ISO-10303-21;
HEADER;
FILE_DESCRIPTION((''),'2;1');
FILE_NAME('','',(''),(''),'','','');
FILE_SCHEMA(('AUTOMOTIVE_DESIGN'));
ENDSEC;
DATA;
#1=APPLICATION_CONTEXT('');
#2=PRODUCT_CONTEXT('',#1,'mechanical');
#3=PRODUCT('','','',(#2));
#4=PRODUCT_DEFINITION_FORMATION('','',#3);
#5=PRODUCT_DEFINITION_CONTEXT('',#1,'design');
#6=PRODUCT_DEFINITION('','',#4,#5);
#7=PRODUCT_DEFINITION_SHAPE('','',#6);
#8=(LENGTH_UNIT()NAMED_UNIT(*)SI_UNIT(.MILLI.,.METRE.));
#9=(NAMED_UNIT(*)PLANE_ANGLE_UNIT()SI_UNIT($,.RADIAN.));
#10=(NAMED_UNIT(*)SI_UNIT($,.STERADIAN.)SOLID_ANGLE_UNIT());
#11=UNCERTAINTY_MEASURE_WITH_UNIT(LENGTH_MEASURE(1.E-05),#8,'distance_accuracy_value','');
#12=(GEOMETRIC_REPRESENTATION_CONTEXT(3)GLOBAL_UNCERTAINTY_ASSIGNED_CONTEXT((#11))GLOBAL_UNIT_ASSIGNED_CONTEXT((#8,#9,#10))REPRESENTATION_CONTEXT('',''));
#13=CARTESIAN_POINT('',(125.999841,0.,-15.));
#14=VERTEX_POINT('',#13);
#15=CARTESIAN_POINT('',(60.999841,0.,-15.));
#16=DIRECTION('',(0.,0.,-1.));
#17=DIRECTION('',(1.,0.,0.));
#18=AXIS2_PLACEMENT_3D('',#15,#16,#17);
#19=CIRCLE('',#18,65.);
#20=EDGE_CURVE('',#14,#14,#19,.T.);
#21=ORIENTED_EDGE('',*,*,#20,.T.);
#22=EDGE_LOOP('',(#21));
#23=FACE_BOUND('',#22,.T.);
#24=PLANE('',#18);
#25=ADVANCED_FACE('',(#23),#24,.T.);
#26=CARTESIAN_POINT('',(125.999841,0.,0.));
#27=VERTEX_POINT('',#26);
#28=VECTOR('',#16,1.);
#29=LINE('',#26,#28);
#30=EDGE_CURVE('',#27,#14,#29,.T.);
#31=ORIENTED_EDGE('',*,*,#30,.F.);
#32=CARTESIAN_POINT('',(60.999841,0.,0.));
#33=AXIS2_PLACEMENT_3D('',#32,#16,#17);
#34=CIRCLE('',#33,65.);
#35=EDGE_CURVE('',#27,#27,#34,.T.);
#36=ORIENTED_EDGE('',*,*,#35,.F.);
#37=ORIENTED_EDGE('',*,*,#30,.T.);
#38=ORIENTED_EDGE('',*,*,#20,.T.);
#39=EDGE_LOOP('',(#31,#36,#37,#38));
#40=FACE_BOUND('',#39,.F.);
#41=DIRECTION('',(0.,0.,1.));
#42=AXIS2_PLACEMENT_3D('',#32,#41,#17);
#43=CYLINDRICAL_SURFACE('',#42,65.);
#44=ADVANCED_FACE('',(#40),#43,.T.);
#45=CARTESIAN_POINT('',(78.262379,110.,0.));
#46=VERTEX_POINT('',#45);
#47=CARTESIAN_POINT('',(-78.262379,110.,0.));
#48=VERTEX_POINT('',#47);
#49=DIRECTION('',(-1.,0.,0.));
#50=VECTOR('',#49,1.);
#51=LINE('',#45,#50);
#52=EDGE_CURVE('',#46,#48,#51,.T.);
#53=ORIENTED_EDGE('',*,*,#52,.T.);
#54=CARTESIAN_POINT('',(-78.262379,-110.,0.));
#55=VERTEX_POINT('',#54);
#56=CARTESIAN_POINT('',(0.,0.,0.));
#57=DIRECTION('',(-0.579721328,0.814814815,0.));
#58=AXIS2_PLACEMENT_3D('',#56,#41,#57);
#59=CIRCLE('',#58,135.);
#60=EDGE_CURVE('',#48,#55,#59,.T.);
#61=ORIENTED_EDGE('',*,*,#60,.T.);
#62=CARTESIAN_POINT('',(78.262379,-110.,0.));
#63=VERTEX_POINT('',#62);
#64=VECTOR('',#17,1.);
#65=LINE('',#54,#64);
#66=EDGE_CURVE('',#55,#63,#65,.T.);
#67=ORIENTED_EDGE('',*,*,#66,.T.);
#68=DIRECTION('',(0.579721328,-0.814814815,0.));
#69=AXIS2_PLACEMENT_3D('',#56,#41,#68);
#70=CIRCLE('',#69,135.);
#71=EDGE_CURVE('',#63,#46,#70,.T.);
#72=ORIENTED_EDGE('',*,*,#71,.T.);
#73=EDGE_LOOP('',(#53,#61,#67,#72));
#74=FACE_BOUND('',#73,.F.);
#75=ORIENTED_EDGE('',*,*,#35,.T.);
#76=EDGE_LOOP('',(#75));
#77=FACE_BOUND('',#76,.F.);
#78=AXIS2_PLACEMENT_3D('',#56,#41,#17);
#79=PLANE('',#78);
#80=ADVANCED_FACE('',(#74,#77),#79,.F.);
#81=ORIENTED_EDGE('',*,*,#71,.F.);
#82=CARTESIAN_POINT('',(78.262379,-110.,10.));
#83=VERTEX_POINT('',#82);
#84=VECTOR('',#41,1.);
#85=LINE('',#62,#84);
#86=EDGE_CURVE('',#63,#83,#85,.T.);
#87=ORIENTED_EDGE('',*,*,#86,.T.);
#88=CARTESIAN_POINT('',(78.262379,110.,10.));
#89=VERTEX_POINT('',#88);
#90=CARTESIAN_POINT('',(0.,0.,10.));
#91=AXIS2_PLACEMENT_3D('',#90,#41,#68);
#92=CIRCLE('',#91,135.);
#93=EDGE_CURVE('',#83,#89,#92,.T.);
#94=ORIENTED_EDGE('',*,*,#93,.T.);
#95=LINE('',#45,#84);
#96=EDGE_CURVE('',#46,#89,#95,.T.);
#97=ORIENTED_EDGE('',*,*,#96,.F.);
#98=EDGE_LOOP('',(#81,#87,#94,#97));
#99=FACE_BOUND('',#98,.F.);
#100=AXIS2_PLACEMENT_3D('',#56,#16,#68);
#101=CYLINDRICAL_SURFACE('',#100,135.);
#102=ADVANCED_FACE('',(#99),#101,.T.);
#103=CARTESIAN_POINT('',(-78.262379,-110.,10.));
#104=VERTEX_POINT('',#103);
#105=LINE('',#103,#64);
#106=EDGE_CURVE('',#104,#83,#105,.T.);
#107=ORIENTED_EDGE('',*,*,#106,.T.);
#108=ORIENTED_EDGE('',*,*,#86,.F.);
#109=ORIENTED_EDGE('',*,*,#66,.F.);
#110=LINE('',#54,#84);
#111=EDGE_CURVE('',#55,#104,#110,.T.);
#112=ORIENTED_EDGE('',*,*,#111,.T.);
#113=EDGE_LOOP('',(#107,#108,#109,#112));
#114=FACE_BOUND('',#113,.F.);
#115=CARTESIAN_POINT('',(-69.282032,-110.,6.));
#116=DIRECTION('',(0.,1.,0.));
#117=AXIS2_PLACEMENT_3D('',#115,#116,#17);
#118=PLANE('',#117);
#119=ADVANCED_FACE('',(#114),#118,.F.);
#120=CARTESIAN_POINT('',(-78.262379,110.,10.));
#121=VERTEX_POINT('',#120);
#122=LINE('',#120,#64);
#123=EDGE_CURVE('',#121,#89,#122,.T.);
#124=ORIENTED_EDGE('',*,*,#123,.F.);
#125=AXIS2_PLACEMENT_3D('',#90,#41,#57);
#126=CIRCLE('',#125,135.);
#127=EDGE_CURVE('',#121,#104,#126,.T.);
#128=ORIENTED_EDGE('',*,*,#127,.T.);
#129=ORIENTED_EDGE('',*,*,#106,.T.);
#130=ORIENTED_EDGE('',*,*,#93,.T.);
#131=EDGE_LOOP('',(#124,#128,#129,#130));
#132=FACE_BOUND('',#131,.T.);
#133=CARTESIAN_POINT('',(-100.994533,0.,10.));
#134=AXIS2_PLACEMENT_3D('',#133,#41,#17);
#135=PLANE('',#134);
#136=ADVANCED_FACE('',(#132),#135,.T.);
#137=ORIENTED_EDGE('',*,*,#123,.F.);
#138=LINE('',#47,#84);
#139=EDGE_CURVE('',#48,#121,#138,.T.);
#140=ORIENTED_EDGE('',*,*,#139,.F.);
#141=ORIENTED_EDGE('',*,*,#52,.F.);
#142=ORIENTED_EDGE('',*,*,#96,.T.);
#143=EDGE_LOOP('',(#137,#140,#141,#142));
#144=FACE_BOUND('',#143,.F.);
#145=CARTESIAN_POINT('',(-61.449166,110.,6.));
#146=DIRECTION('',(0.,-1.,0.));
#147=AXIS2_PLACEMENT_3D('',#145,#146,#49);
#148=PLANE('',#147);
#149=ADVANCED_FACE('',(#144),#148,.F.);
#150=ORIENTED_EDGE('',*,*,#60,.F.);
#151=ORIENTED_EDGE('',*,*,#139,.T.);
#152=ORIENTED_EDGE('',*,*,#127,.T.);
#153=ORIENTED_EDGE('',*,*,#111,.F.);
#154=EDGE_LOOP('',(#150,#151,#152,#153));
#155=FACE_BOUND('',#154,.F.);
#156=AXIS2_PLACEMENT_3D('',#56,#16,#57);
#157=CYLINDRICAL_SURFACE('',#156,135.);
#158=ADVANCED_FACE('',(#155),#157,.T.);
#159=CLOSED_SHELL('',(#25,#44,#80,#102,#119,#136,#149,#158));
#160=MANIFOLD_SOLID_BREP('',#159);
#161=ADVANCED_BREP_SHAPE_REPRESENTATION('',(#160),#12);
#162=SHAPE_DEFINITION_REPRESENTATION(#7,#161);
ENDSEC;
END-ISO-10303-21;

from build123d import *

# Parameters (mm, degrees)
F1_DEPTH = 10
F3_DEPTH = 4
F5_DEPTH = 50
F6_R     = 65
F7_DEPTH = 15
F8_DEPTH = 50
F9_DEPTH = 4


with BuildPart() as f1:
    # F0 (on Top) → F1 (new body)
    with BuildSketch(Plane.XY):
        with BuildLine():
            ThreePointArc((-78.2623792125, 110), (-135, 0), (-78.2623792125, -110))
            Line((-78.2623792125, -110), (78.2623792125, -110))
            ThreePointArc((78.2623792125, -110), (135, 0), (78.2623792125, 110))
            Line((78.2623792125, 110), (-78.2623792125, 110))
        make_face()
    extrude(amount=F1_DEPTH)

    # F2 (on face) → F3 (cut)
    with BuildSketch(Plane.XY.offset(10)):
        with BuildLine():
            Line((-61.4491659829, 110), (-69.2820323028, 110))
            ThreePointArc((-69.2820323028, 110), (-130, 0), (-69.2820323028, -110))
            Line((-69.2820323028, -110), (-61.4491659829, -110))
            ThreePointArc((-61.4491659829, -110), (-126, 0), (-61.4491659829, 110))
        make_face()
        with BuildLine():
            Line((69.2820323028, 110), (61.4491659829, 110))
            ThreePointArc((61.4491659829, 110), (126, 0), (61.4491659829, -110))
            Line((61.4491659829, -110), (69.2820323028, -110))
            ThreePointArc((69.2820323028, -110), (130, 0), (69.2820323028, 110))
        make_face()
    extrude(amount=-F3_DEPTH, mode=Mode.SUBTRACT)

    # F5 (add): faces of the model
    f5_faces = [f1.faces().sort_by_distance(p)[0] for p in [
        (-65.3655991429, 109.7695673269, 6),
        (128.3043267313, 0, 6),
    ]]
    extrude(f5_faces, amount=F5_DEPTH)

    # F6 (on face) → F7 (join)
    with BuildSketch(Plane(origin=(0, 0, 0), x_dir=(1, 0, 0), z_dir=(0, 0, -1))):
        with Locations((60.9998414516, 0)):
            Circle(F6_R)
    extrude(amount=F7_DEPTH)

    # F8 (cut): faces of the model
    f8_faces = [f1.faces().sort_by_distance(p)[0] for p in [
        (-65.3655991429, 109.7695673269, 56),
        (128.3043267313, 0, 56),
    ]]
    extrude(f8_faces, amount=-F8_DEPTH, mode=Mode.SUBTRACT)

    # F9 (add): faces of the model
    f9_faces = [f1.faces().sort_by_distance(p)[0] for p in [
        (-65.3655991429, 109.7695673269, 6),
        (128.3043267313, 0, 6),
    ]]
    extrude(f9_faces, amount=F9_DEPTH)


solid = f1.part
